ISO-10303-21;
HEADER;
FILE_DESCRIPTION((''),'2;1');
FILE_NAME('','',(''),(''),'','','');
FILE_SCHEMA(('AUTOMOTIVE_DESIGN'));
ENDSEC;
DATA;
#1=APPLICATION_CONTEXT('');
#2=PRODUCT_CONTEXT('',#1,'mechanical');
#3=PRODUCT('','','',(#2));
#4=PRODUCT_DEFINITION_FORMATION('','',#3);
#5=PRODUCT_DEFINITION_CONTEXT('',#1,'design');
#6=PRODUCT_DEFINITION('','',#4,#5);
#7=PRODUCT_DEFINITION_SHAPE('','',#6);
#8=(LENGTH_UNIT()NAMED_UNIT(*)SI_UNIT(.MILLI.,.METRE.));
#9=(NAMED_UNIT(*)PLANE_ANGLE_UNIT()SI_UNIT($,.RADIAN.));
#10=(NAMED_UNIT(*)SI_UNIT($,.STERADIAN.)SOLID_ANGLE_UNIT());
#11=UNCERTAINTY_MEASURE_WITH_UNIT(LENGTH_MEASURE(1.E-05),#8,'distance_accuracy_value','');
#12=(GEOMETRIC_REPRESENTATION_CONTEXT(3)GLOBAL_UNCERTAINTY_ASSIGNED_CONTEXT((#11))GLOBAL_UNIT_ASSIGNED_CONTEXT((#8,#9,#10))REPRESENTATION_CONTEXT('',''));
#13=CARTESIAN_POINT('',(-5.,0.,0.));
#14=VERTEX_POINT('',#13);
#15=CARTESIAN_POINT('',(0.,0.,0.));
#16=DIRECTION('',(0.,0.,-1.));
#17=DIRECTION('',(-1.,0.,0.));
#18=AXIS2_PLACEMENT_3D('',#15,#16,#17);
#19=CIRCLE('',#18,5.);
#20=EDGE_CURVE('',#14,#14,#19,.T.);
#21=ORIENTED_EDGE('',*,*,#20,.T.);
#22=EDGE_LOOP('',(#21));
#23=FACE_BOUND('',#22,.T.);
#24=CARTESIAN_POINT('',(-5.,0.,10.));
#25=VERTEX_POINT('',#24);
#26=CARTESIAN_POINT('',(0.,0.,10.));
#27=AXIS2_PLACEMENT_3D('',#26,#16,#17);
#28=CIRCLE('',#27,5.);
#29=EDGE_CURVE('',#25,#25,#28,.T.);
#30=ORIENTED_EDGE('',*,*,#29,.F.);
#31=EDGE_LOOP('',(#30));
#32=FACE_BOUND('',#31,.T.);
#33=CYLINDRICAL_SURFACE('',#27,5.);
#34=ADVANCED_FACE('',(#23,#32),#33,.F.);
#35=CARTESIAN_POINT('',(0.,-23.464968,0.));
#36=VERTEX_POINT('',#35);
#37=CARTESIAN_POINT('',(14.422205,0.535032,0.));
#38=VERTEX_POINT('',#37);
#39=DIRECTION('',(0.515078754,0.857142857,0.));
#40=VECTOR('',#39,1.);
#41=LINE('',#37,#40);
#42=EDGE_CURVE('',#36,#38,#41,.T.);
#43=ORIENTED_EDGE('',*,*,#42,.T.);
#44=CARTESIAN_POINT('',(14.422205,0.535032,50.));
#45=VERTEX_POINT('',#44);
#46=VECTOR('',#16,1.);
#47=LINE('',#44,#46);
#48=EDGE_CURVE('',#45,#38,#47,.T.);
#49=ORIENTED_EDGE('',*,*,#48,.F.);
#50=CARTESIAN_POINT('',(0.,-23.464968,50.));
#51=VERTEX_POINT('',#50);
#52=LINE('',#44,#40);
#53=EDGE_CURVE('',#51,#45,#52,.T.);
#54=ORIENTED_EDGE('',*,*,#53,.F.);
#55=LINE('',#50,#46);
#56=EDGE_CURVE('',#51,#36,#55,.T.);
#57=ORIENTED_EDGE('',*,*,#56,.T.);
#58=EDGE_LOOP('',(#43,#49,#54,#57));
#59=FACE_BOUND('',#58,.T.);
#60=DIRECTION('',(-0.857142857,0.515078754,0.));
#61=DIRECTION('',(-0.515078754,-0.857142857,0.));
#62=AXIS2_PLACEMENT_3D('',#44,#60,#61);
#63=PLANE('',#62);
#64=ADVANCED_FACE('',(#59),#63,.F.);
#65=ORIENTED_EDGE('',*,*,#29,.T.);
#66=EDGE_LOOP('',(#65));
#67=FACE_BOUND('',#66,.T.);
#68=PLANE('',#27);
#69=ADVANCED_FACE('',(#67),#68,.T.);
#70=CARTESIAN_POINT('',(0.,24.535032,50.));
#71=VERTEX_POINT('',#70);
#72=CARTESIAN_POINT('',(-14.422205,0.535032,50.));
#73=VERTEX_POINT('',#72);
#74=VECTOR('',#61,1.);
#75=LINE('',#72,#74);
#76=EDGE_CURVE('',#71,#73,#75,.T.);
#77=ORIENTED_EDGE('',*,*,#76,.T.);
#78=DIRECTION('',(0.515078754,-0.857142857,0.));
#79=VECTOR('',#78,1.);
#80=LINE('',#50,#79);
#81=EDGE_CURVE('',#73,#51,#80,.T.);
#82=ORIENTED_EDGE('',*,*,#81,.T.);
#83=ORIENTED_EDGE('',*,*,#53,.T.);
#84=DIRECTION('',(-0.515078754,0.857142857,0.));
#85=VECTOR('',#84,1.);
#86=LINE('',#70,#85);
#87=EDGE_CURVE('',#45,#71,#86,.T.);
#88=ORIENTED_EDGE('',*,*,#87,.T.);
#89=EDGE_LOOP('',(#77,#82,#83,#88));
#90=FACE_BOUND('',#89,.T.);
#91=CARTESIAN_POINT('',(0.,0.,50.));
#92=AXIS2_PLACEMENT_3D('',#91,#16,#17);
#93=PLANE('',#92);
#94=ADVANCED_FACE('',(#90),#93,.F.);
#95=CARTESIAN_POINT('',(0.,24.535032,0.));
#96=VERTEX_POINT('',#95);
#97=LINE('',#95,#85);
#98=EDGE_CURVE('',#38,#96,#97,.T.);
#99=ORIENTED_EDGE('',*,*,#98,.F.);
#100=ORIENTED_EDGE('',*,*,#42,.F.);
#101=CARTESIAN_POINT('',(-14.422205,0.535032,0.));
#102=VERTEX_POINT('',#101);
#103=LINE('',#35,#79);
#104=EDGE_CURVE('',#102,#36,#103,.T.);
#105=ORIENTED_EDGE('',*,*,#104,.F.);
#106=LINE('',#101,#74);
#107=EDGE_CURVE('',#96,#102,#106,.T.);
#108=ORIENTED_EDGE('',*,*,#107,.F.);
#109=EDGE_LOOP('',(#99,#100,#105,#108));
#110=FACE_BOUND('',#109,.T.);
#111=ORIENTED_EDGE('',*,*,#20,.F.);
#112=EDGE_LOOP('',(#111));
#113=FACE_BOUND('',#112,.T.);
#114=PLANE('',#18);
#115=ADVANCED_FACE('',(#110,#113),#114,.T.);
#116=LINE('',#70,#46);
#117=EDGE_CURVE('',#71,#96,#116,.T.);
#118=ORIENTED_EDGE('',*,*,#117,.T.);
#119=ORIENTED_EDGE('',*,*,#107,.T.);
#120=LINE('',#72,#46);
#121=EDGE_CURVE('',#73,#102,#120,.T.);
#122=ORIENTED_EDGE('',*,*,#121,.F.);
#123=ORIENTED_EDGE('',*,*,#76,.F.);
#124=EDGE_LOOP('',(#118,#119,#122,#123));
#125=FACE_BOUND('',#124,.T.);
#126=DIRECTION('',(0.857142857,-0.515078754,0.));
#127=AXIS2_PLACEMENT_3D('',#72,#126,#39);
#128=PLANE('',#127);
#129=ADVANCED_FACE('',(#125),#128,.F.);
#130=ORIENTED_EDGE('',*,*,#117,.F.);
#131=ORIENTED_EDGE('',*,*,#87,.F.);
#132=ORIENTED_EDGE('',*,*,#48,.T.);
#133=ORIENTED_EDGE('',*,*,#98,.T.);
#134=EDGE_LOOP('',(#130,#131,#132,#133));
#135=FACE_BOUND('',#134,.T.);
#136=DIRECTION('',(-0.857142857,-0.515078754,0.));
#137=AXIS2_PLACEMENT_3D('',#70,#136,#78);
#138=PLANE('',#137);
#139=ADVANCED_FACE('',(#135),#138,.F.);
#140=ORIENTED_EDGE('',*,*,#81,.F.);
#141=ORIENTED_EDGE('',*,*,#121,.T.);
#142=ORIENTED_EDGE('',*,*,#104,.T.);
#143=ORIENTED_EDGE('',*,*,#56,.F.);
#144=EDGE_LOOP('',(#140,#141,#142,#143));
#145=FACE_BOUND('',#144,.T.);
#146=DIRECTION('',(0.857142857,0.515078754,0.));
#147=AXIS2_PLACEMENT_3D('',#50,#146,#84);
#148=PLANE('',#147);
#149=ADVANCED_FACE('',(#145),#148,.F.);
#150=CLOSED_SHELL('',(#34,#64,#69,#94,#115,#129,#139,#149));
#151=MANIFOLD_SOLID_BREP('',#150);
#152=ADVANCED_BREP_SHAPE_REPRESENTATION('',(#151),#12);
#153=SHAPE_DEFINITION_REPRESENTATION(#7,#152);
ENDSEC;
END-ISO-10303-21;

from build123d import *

# Parameters (mm, degrees)
SALIENTE_EXTRUIR1_DEPTH = 50
CROQUIS2_R              = 5
CORTAR_EXTRUIR1_DEPTH   = 10


with BuildPart() as part:
    # Croquis1 → Saliente-Extruir1 (new body)
    with BuildSketch(Plane.XY):
        Polygon((0, 24.535031847), (14.422205102, 0.535031847), (0, -23.464968153), (-14.422205102, 0.535031847), align=None)
    extrude(amount=SALIENTE_EXTRUIR1_DEPTH)

    # Croquis2 → Cortar-Extruir1 (cut)
    with BuildSketch(Plane(origin=(0, 0, 0), x_dir=(-1, 0, 0), z_dir=(0, 0, -1))):
        Circle(CROQUIS2_R)
    extrude(amount=-CORTAR_EXTRUIR1_DEPTH, mode=Mode.SUBTRACT)


solid = part.part
